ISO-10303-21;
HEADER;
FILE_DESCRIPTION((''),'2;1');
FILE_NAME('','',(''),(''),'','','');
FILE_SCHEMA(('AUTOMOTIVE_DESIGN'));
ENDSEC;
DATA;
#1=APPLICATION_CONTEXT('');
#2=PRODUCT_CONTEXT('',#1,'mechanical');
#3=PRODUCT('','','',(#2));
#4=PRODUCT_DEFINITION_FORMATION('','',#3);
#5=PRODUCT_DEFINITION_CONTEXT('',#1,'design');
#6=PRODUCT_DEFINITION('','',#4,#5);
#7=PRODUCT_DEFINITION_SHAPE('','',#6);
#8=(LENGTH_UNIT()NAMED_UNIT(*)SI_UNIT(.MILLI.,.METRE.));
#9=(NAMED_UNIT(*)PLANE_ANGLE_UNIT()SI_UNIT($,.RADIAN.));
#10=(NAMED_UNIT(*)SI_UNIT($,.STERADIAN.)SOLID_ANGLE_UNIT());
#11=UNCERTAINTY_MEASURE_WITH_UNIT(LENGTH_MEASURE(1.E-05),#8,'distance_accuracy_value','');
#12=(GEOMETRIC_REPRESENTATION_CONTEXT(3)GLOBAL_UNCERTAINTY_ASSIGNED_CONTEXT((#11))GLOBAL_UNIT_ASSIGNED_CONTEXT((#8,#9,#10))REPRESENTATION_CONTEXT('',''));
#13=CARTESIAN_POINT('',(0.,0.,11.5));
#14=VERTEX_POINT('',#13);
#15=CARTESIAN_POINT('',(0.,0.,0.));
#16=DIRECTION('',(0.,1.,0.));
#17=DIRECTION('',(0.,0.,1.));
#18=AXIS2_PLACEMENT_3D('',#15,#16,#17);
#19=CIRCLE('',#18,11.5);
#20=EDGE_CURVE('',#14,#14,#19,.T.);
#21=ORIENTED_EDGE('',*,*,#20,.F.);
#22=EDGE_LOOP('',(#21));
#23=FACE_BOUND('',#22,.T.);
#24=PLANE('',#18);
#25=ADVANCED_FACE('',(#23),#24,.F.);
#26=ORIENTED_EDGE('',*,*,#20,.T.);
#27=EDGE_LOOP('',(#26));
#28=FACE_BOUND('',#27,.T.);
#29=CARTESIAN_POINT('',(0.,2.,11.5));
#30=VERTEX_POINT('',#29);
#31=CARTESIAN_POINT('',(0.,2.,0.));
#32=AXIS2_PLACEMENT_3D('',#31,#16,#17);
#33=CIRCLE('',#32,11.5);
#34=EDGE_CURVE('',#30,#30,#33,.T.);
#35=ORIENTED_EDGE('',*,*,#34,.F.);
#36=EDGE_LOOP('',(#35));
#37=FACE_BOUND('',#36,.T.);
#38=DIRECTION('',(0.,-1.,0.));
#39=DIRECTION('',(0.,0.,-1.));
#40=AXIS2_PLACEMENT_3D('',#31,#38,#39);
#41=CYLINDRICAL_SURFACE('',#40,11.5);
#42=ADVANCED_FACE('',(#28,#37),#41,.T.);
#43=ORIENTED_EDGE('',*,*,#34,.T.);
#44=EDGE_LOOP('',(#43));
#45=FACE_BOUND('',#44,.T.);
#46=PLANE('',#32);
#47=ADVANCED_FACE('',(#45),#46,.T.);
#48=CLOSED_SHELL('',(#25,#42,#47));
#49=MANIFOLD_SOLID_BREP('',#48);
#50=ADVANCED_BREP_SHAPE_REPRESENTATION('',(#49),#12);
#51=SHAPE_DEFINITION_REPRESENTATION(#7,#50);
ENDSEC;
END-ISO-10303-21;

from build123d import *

# Parameters (mm, degrees)
ESQUISSE1_R        = 11.5
BOSS_EXTRU_1_DEPTH = 2


with BuildPart() as part:
    # Esquisse1 → Boss.-Extru.1 (new body)
    with BuildSketch(Plane(origin=(0, 0, 0), x_dir=(1, 0, 0), z_dir=(0, 1, 0))):
        with Locations(Location((0, 0, 0), (0, 0, 270))):
            Circle(ESQUISSE1_R)
    extrude(amount=BOSS_EXTRU_1_DEPTH)


solid = part.part
